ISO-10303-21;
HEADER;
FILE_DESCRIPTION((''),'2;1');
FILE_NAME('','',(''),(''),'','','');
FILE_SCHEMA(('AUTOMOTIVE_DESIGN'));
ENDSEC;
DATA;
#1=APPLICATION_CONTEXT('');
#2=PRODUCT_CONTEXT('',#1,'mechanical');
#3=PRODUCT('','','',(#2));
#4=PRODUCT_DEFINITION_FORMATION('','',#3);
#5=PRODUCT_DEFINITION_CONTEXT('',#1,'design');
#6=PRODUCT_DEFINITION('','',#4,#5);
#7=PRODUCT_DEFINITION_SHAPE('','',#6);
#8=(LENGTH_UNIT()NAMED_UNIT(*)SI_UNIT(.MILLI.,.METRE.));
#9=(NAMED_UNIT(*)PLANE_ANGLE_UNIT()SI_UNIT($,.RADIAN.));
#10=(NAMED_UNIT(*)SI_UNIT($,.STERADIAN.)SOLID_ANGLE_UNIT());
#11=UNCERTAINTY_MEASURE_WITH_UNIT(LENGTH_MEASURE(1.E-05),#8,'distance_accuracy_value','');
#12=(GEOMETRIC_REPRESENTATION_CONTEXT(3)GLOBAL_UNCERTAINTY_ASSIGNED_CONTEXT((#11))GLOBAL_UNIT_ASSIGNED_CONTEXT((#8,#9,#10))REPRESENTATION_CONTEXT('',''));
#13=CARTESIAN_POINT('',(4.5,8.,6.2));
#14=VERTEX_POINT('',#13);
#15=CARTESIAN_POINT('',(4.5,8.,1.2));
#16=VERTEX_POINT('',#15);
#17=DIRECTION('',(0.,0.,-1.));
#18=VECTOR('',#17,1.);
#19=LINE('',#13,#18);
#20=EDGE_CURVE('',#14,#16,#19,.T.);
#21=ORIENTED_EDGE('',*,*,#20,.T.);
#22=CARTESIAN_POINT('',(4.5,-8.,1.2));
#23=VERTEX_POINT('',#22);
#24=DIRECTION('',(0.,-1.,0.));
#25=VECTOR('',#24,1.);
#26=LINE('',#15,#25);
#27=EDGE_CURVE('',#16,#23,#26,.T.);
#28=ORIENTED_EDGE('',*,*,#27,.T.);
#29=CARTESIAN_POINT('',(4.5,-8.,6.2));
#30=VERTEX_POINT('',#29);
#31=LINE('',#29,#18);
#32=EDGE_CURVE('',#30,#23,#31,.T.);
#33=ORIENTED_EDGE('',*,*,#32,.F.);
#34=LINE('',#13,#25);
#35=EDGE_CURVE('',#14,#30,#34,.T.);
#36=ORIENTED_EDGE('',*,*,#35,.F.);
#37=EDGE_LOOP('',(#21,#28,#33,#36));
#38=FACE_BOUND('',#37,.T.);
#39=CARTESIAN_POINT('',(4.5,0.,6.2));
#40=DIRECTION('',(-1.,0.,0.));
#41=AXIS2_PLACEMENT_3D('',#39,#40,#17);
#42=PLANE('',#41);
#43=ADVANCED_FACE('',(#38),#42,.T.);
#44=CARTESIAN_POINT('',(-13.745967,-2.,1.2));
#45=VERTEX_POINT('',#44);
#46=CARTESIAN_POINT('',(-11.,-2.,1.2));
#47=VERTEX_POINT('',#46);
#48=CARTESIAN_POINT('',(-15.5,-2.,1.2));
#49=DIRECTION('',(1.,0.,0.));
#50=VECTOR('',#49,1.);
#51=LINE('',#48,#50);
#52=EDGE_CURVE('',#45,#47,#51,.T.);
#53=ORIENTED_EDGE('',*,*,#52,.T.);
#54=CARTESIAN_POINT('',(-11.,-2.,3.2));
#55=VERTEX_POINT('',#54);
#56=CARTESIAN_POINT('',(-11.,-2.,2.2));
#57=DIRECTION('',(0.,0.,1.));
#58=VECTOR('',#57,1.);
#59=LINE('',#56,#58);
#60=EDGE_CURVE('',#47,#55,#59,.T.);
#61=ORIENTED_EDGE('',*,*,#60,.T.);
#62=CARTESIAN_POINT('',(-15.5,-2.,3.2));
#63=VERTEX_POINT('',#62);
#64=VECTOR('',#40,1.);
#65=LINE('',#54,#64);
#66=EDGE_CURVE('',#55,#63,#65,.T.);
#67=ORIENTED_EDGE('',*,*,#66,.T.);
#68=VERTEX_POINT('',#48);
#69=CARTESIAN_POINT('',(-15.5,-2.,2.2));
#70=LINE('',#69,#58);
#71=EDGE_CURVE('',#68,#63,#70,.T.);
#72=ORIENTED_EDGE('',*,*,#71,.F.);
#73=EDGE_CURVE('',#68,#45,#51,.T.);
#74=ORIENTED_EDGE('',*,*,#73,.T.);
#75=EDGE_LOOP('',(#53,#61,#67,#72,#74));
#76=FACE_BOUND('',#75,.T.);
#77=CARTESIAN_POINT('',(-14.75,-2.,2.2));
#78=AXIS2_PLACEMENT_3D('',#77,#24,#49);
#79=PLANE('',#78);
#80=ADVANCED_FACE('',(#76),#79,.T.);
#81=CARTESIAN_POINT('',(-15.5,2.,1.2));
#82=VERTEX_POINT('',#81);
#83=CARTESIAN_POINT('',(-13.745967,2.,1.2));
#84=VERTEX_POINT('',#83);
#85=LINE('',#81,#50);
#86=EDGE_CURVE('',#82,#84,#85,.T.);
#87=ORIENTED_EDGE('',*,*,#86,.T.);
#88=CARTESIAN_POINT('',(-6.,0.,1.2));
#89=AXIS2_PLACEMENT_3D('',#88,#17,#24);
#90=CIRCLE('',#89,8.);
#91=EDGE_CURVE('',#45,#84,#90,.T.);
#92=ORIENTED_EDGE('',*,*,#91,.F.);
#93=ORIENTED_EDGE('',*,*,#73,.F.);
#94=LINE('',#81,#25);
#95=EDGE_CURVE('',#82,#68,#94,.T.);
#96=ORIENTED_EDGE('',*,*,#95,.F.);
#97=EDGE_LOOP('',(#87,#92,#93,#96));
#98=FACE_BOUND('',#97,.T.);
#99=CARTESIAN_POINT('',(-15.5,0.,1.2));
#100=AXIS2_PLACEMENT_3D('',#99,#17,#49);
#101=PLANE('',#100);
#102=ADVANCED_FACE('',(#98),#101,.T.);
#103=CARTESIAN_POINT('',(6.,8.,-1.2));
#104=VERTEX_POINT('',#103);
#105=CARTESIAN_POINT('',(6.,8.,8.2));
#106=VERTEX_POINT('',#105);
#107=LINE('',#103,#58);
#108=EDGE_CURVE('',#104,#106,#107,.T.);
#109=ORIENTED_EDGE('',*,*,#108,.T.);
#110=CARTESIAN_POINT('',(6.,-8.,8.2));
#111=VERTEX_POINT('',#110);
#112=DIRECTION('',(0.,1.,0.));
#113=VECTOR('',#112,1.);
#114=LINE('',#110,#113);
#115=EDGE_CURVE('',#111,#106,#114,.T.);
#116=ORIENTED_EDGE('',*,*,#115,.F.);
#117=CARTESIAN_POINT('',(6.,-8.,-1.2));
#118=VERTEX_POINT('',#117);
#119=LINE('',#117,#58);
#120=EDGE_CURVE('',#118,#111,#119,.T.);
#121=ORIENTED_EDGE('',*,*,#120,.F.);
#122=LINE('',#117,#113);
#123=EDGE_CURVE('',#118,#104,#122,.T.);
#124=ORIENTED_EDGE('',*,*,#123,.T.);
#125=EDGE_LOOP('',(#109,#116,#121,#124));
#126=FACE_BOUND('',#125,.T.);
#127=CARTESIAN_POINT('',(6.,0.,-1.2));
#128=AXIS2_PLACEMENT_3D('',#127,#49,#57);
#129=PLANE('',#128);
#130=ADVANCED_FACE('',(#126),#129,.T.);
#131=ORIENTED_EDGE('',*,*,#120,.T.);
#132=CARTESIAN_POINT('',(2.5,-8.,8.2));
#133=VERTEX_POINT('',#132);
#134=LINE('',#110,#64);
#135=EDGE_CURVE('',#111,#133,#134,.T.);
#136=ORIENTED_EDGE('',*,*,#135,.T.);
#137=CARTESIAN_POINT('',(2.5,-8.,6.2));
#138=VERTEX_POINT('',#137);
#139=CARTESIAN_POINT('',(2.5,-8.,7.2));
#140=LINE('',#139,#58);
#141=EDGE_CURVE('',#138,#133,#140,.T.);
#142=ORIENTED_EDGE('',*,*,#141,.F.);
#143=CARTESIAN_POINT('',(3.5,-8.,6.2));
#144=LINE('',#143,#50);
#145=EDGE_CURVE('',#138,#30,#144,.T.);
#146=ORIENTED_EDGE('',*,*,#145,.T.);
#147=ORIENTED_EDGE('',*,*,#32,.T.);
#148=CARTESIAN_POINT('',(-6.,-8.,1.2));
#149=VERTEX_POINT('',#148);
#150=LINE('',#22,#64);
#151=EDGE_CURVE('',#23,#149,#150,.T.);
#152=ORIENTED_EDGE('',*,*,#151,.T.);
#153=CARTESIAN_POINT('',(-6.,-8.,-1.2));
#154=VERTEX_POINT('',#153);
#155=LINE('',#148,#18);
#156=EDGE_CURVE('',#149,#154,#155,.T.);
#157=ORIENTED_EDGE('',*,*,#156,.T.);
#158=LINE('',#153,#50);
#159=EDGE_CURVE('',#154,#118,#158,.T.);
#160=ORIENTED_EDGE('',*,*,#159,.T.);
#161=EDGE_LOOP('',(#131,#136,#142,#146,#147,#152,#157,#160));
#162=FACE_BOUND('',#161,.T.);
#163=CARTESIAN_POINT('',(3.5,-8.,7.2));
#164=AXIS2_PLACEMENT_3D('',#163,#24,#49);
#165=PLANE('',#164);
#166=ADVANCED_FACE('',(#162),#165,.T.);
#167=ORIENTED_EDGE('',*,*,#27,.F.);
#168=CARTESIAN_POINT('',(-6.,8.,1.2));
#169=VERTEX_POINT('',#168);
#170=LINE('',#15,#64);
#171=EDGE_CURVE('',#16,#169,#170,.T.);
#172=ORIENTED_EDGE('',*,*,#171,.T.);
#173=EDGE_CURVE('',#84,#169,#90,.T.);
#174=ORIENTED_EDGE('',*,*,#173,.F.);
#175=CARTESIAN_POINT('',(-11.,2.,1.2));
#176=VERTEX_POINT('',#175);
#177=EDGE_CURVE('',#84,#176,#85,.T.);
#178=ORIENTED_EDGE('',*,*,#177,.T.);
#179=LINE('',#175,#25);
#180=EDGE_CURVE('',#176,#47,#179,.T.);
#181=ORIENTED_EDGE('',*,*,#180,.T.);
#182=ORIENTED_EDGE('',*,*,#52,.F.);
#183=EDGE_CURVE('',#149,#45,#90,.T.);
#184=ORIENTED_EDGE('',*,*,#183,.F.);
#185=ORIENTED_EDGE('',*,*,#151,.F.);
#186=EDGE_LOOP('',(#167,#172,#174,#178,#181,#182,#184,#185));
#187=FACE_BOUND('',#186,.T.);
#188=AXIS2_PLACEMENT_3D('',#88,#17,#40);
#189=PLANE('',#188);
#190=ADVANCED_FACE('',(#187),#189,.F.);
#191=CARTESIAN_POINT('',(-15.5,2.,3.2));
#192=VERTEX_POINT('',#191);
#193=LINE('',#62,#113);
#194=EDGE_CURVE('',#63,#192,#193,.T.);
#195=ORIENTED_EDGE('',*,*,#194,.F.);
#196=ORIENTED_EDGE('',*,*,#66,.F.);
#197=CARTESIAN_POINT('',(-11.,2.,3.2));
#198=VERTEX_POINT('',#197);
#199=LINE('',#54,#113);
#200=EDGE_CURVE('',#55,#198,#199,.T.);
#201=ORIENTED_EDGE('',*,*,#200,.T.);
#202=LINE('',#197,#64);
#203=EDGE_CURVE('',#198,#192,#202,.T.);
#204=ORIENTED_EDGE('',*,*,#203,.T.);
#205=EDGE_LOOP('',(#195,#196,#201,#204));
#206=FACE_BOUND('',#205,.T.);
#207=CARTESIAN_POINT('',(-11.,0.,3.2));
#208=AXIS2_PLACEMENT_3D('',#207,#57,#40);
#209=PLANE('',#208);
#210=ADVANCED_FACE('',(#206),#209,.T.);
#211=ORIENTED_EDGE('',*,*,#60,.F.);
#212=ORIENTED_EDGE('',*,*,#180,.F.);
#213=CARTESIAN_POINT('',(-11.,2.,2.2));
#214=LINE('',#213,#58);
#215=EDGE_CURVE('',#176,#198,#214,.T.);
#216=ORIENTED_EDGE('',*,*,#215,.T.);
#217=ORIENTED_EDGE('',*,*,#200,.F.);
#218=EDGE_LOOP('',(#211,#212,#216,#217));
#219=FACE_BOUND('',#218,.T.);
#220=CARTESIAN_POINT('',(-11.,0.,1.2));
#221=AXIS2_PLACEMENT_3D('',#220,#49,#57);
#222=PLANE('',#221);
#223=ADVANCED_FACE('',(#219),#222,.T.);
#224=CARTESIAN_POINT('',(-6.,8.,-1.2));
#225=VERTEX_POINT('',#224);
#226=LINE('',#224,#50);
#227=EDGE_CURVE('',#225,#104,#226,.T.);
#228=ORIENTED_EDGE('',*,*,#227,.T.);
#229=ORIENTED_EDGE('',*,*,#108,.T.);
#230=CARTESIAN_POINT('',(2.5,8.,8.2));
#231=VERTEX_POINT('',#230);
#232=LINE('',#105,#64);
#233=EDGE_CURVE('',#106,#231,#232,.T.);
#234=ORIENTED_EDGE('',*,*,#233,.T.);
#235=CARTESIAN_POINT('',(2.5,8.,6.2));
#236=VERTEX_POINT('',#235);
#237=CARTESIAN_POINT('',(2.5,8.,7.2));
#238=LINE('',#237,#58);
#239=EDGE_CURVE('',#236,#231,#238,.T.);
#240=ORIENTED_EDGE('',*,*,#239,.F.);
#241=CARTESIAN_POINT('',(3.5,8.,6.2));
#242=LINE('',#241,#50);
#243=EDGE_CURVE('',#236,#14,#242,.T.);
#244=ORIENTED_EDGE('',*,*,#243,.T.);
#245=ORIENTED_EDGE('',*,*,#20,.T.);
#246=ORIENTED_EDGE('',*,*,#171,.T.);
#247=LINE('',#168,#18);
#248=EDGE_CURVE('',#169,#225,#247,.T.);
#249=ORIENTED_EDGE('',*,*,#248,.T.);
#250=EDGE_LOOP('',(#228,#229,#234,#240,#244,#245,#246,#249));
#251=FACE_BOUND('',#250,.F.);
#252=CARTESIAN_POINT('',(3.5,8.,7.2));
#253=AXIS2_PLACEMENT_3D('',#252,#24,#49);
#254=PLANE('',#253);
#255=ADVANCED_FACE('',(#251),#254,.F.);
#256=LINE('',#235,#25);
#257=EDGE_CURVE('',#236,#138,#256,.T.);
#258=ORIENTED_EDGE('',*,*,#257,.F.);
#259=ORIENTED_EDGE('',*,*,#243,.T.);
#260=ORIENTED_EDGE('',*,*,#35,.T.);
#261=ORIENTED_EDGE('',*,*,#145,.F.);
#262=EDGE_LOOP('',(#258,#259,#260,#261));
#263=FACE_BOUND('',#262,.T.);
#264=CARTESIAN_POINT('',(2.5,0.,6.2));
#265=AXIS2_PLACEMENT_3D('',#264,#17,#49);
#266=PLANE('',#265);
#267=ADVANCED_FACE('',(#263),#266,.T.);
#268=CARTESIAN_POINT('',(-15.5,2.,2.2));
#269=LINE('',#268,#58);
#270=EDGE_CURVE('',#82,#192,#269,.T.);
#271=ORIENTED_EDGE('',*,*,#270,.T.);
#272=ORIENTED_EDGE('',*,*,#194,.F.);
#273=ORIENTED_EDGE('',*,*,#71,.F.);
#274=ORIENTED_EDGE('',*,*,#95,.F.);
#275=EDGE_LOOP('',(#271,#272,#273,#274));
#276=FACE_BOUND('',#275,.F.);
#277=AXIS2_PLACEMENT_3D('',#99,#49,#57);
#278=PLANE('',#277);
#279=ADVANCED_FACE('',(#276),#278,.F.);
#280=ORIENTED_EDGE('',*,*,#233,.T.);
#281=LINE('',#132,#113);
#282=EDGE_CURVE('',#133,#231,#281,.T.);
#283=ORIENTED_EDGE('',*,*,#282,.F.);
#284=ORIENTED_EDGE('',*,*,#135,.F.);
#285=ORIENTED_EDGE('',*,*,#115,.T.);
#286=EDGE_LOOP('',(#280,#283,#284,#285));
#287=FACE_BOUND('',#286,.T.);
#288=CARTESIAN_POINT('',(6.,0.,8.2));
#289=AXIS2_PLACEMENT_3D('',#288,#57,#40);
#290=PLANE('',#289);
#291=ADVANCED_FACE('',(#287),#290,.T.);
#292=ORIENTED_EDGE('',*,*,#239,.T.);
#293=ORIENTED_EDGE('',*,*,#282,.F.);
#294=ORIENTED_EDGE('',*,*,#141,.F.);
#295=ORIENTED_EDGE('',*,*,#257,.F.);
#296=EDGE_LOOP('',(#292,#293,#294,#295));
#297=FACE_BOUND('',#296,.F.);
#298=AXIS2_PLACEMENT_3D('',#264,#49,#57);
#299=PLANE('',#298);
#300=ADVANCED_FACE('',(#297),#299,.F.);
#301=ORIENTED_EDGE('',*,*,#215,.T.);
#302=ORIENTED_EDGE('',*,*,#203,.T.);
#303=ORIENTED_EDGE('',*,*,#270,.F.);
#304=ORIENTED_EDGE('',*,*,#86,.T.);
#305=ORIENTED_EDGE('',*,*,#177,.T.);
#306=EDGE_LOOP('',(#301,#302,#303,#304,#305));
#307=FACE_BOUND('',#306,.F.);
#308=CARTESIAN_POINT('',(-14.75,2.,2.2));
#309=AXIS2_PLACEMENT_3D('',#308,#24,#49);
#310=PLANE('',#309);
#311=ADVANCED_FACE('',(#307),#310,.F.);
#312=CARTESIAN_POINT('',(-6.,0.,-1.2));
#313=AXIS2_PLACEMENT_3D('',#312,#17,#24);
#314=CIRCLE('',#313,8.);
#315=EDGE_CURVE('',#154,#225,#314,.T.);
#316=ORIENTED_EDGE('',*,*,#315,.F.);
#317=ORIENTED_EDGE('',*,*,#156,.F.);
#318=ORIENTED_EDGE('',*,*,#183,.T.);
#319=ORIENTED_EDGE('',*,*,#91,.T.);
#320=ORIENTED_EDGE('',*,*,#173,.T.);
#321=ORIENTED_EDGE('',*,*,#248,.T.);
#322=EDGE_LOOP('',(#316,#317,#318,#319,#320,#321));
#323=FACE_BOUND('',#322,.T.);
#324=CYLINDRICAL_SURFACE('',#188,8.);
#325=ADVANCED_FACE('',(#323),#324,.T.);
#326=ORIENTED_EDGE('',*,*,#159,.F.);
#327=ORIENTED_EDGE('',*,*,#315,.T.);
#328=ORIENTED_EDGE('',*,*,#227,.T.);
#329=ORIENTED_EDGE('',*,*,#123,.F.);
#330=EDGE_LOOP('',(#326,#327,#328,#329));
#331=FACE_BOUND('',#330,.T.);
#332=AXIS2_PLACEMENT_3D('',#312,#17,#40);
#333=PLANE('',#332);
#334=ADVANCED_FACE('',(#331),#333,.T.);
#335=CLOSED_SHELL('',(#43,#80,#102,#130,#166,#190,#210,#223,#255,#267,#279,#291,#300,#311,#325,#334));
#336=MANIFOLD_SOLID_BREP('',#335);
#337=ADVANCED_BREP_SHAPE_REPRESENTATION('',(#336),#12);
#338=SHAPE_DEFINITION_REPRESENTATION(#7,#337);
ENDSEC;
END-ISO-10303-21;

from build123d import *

# Parameters (mm, degrees)
F0_W     = 2
F0_H     = 2
F1_DEPTH = 8
F2_ANGLE = 180
F0_W_2   = 1.5
F0_W_3   = 3
F3_DEPTH = 2


with BuildPart() as f1:
    # F0 (on Front) → F1 (new body, symmetric)
    with BuildSketch(Plane.XZ):
        with Locations((3.5, 7.2)):
            Rectangle(F0_W, F0_H)
        Polygon((4.5, 1.2), (6, 1.2), (6, 8.2), (4.5, 8.2), (4.5, 6.2), align=None)
        Polygon((-6, -1.2), (6, -1.2), (6, 1.2), (4.5, 1.2), (-6, 1.2), align=None)
    extrude(amount=F1_DEPTH, both=True)

    # F0 (on Front) → F2 (revolve, symmetric)
    with BuildSketch(Plane.XZ) as f2_sk:
        Polygon((-14, -1.2), (-6, -1.2), (-6, 1.2), (-11, 1.2), (-14, 1.2), align=None)
    revolve(axis=Axis((-6, 0, 0), (0, 0, 1)), revolution_arc=F2_ANGLE / 2)
    revolve(f2_sk.sketch, axis=Axis((-6, 0, 0), (0, 0, -1)), revolution_arc=F2_ANGLE / 2)

    # F0 (on Front) → F3 (join, symmetric)
    with BuildSketch(Plane.XZ):
        with Locations((-14.75, 2.2)):
            Rectangle(F0_W_2, F0_H)
        with Locations((-12.5, 2.2)):
            Rectangle(F0_W_3, F0_H)
    extrude(amount=F3_DEPTH, both=True)


solid = f1.part
